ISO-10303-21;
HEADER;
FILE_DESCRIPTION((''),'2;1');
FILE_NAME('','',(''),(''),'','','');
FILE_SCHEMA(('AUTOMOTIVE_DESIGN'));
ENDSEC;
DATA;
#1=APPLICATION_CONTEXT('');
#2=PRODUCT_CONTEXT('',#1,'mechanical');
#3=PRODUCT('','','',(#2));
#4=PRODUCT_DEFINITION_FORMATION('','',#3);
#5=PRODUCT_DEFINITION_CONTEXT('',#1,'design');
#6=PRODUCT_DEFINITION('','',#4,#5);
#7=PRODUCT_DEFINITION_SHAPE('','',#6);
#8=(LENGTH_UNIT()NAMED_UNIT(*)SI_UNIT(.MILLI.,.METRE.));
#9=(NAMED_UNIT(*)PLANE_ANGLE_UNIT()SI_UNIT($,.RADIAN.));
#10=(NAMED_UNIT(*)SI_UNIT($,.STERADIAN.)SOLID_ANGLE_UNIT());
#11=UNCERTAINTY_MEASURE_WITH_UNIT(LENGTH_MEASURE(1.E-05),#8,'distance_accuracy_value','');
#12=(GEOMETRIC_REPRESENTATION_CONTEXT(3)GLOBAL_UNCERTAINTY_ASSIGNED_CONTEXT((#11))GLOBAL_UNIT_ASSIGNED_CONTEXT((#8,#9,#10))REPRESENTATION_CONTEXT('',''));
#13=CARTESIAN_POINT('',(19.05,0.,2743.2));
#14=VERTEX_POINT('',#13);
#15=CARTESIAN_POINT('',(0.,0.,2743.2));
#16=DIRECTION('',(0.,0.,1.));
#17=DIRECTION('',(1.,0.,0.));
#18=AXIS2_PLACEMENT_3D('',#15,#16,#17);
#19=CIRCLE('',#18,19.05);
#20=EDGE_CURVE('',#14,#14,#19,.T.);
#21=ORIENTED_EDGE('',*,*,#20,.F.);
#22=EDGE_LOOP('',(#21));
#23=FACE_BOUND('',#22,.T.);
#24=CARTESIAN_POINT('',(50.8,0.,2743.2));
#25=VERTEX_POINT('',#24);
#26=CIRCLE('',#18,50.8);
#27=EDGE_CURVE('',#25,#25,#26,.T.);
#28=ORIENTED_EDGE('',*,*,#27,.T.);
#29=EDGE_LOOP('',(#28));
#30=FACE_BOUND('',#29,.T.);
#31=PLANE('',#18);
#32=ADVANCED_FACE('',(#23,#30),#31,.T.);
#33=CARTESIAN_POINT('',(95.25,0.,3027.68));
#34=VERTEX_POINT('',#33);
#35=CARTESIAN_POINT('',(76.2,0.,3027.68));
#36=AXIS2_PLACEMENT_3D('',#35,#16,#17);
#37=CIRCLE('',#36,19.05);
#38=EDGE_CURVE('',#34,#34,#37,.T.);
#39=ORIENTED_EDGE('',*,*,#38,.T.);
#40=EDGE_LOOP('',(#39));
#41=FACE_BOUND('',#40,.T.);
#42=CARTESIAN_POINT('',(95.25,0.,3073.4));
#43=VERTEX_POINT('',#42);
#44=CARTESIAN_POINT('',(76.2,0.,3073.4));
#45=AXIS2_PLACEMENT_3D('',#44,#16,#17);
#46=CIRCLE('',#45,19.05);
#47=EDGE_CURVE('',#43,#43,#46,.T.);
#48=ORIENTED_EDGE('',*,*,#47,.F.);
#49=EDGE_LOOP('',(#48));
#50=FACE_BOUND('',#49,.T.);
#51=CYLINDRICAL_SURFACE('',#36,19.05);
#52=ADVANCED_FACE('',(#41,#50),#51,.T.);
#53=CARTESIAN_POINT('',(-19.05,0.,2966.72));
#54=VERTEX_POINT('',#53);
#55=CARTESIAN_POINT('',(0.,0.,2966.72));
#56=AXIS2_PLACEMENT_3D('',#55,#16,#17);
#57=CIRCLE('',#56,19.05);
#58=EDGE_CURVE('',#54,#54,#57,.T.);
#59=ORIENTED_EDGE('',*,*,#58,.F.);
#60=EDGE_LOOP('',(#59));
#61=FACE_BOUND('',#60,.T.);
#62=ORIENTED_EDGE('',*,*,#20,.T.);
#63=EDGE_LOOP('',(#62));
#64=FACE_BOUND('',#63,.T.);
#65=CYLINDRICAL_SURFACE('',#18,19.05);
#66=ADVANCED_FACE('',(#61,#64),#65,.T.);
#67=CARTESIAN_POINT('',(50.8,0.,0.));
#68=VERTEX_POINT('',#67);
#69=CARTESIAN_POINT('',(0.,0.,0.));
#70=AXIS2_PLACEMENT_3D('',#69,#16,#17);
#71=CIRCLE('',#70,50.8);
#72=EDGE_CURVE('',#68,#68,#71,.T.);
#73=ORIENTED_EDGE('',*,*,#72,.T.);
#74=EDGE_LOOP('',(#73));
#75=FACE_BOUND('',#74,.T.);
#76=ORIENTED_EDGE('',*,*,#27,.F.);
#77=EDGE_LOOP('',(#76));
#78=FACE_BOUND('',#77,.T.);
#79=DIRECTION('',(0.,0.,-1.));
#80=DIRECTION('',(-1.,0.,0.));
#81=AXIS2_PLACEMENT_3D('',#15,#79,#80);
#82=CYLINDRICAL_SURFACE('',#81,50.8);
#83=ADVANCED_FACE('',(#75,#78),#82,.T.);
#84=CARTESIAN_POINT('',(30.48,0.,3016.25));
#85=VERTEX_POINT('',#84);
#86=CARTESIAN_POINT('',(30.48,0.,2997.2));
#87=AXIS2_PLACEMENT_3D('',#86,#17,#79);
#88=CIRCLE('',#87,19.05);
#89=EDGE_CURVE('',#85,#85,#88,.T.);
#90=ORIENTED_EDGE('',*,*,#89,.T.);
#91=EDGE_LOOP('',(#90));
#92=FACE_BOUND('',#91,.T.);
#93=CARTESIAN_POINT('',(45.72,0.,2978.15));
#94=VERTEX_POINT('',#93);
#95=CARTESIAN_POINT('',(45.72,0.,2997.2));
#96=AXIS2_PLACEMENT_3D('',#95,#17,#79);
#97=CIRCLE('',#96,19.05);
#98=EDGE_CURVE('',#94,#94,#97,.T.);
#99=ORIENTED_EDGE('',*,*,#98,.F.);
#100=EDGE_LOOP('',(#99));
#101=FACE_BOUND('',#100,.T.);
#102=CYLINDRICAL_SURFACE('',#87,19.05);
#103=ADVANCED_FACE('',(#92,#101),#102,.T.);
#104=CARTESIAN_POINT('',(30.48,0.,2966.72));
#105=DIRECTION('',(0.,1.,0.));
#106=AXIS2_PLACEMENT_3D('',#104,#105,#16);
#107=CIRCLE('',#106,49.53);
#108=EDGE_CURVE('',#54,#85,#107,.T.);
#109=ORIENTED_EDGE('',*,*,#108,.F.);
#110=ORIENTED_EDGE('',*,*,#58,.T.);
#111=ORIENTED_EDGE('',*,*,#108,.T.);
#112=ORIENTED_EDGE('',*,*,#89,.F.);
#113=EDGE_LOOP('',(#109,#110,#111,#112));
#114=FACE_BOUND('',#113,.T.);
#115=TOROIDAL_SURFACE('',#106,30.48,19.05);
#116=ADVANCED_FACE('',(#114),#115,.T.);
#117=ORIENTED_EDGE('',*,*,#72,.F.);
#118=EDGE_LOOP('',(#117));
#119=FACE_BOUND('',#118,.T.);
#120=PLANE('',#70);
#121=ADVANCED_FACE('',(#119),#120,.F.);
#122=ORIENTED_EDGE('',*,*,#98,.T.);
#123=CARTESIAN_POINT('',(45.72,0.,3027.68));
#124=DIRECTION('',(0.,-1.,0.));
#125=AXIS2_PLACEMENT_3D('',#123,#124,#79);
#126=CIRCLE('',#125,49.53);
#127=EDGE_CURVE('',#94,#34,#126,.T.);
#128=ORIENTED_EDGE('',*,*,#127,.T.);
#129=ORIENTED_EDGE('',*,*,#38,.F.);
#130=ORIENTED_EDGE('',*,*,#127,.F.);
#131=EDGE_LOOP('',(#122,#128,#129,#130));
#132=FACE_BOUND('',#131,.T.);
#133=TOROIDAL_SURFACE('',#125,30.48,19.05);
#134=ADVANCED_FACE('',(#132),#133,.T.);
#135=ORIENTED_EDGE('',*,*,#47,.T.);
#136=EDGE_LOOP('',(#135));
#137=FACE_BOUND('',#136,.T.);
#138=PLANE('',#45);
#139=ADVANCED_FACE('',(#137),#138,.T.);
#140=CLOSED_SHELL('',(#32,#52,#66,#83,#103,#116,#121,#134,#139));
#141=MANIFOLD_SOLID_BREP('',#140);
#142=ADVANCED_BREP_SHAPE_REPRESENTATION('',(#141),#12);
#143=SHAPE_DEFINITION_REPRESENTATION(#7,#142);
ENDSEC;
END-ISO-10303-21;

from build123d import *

# Parameters (mm, degrees)
SKETCH1_R           = 50.8
BOSS_EXTRUDE1_DEPTH = 2743.2
SKETCH6_R           = 19.05


with BuildPart() as part:
    # Sketch1 → Boss-Extrude1 (new body)
    with BuildSketch(Plane.XY):
        Circle(SKETCH1_R)
    extrude(amount=BOSS_EXTRUDE1_DEPTH)

    # Sweep1: sweep along a curve in space
    with BuildLine() as sweep1_path:
        Line((0, 0, 2743.2), (0, 0, 2966.72))
        ThreePointArc((30.48, 0, 2997.2), (8.927385309, 0, 2988.272614691), (0, 0, 2966.72))
        Line((30.48, 0, 2997.2), (45.72, 0, 2997.2))
        ThreePointArc((45.72, 0, 2997.2), (67.272614691, 0, 3006.127385309), (76.2, 0, 3027.68))
        Line((76.2, 0, 3027.68), (76.2, 0, 3073.4))
    # Sketch6 → Sweep1 (sweep)
    with BuildSketch(Plane.XY.offset(2743.2)):
        Circle(SKETCH6_R)
    sweep(path=sweep1_path.line)


solid = part.part
